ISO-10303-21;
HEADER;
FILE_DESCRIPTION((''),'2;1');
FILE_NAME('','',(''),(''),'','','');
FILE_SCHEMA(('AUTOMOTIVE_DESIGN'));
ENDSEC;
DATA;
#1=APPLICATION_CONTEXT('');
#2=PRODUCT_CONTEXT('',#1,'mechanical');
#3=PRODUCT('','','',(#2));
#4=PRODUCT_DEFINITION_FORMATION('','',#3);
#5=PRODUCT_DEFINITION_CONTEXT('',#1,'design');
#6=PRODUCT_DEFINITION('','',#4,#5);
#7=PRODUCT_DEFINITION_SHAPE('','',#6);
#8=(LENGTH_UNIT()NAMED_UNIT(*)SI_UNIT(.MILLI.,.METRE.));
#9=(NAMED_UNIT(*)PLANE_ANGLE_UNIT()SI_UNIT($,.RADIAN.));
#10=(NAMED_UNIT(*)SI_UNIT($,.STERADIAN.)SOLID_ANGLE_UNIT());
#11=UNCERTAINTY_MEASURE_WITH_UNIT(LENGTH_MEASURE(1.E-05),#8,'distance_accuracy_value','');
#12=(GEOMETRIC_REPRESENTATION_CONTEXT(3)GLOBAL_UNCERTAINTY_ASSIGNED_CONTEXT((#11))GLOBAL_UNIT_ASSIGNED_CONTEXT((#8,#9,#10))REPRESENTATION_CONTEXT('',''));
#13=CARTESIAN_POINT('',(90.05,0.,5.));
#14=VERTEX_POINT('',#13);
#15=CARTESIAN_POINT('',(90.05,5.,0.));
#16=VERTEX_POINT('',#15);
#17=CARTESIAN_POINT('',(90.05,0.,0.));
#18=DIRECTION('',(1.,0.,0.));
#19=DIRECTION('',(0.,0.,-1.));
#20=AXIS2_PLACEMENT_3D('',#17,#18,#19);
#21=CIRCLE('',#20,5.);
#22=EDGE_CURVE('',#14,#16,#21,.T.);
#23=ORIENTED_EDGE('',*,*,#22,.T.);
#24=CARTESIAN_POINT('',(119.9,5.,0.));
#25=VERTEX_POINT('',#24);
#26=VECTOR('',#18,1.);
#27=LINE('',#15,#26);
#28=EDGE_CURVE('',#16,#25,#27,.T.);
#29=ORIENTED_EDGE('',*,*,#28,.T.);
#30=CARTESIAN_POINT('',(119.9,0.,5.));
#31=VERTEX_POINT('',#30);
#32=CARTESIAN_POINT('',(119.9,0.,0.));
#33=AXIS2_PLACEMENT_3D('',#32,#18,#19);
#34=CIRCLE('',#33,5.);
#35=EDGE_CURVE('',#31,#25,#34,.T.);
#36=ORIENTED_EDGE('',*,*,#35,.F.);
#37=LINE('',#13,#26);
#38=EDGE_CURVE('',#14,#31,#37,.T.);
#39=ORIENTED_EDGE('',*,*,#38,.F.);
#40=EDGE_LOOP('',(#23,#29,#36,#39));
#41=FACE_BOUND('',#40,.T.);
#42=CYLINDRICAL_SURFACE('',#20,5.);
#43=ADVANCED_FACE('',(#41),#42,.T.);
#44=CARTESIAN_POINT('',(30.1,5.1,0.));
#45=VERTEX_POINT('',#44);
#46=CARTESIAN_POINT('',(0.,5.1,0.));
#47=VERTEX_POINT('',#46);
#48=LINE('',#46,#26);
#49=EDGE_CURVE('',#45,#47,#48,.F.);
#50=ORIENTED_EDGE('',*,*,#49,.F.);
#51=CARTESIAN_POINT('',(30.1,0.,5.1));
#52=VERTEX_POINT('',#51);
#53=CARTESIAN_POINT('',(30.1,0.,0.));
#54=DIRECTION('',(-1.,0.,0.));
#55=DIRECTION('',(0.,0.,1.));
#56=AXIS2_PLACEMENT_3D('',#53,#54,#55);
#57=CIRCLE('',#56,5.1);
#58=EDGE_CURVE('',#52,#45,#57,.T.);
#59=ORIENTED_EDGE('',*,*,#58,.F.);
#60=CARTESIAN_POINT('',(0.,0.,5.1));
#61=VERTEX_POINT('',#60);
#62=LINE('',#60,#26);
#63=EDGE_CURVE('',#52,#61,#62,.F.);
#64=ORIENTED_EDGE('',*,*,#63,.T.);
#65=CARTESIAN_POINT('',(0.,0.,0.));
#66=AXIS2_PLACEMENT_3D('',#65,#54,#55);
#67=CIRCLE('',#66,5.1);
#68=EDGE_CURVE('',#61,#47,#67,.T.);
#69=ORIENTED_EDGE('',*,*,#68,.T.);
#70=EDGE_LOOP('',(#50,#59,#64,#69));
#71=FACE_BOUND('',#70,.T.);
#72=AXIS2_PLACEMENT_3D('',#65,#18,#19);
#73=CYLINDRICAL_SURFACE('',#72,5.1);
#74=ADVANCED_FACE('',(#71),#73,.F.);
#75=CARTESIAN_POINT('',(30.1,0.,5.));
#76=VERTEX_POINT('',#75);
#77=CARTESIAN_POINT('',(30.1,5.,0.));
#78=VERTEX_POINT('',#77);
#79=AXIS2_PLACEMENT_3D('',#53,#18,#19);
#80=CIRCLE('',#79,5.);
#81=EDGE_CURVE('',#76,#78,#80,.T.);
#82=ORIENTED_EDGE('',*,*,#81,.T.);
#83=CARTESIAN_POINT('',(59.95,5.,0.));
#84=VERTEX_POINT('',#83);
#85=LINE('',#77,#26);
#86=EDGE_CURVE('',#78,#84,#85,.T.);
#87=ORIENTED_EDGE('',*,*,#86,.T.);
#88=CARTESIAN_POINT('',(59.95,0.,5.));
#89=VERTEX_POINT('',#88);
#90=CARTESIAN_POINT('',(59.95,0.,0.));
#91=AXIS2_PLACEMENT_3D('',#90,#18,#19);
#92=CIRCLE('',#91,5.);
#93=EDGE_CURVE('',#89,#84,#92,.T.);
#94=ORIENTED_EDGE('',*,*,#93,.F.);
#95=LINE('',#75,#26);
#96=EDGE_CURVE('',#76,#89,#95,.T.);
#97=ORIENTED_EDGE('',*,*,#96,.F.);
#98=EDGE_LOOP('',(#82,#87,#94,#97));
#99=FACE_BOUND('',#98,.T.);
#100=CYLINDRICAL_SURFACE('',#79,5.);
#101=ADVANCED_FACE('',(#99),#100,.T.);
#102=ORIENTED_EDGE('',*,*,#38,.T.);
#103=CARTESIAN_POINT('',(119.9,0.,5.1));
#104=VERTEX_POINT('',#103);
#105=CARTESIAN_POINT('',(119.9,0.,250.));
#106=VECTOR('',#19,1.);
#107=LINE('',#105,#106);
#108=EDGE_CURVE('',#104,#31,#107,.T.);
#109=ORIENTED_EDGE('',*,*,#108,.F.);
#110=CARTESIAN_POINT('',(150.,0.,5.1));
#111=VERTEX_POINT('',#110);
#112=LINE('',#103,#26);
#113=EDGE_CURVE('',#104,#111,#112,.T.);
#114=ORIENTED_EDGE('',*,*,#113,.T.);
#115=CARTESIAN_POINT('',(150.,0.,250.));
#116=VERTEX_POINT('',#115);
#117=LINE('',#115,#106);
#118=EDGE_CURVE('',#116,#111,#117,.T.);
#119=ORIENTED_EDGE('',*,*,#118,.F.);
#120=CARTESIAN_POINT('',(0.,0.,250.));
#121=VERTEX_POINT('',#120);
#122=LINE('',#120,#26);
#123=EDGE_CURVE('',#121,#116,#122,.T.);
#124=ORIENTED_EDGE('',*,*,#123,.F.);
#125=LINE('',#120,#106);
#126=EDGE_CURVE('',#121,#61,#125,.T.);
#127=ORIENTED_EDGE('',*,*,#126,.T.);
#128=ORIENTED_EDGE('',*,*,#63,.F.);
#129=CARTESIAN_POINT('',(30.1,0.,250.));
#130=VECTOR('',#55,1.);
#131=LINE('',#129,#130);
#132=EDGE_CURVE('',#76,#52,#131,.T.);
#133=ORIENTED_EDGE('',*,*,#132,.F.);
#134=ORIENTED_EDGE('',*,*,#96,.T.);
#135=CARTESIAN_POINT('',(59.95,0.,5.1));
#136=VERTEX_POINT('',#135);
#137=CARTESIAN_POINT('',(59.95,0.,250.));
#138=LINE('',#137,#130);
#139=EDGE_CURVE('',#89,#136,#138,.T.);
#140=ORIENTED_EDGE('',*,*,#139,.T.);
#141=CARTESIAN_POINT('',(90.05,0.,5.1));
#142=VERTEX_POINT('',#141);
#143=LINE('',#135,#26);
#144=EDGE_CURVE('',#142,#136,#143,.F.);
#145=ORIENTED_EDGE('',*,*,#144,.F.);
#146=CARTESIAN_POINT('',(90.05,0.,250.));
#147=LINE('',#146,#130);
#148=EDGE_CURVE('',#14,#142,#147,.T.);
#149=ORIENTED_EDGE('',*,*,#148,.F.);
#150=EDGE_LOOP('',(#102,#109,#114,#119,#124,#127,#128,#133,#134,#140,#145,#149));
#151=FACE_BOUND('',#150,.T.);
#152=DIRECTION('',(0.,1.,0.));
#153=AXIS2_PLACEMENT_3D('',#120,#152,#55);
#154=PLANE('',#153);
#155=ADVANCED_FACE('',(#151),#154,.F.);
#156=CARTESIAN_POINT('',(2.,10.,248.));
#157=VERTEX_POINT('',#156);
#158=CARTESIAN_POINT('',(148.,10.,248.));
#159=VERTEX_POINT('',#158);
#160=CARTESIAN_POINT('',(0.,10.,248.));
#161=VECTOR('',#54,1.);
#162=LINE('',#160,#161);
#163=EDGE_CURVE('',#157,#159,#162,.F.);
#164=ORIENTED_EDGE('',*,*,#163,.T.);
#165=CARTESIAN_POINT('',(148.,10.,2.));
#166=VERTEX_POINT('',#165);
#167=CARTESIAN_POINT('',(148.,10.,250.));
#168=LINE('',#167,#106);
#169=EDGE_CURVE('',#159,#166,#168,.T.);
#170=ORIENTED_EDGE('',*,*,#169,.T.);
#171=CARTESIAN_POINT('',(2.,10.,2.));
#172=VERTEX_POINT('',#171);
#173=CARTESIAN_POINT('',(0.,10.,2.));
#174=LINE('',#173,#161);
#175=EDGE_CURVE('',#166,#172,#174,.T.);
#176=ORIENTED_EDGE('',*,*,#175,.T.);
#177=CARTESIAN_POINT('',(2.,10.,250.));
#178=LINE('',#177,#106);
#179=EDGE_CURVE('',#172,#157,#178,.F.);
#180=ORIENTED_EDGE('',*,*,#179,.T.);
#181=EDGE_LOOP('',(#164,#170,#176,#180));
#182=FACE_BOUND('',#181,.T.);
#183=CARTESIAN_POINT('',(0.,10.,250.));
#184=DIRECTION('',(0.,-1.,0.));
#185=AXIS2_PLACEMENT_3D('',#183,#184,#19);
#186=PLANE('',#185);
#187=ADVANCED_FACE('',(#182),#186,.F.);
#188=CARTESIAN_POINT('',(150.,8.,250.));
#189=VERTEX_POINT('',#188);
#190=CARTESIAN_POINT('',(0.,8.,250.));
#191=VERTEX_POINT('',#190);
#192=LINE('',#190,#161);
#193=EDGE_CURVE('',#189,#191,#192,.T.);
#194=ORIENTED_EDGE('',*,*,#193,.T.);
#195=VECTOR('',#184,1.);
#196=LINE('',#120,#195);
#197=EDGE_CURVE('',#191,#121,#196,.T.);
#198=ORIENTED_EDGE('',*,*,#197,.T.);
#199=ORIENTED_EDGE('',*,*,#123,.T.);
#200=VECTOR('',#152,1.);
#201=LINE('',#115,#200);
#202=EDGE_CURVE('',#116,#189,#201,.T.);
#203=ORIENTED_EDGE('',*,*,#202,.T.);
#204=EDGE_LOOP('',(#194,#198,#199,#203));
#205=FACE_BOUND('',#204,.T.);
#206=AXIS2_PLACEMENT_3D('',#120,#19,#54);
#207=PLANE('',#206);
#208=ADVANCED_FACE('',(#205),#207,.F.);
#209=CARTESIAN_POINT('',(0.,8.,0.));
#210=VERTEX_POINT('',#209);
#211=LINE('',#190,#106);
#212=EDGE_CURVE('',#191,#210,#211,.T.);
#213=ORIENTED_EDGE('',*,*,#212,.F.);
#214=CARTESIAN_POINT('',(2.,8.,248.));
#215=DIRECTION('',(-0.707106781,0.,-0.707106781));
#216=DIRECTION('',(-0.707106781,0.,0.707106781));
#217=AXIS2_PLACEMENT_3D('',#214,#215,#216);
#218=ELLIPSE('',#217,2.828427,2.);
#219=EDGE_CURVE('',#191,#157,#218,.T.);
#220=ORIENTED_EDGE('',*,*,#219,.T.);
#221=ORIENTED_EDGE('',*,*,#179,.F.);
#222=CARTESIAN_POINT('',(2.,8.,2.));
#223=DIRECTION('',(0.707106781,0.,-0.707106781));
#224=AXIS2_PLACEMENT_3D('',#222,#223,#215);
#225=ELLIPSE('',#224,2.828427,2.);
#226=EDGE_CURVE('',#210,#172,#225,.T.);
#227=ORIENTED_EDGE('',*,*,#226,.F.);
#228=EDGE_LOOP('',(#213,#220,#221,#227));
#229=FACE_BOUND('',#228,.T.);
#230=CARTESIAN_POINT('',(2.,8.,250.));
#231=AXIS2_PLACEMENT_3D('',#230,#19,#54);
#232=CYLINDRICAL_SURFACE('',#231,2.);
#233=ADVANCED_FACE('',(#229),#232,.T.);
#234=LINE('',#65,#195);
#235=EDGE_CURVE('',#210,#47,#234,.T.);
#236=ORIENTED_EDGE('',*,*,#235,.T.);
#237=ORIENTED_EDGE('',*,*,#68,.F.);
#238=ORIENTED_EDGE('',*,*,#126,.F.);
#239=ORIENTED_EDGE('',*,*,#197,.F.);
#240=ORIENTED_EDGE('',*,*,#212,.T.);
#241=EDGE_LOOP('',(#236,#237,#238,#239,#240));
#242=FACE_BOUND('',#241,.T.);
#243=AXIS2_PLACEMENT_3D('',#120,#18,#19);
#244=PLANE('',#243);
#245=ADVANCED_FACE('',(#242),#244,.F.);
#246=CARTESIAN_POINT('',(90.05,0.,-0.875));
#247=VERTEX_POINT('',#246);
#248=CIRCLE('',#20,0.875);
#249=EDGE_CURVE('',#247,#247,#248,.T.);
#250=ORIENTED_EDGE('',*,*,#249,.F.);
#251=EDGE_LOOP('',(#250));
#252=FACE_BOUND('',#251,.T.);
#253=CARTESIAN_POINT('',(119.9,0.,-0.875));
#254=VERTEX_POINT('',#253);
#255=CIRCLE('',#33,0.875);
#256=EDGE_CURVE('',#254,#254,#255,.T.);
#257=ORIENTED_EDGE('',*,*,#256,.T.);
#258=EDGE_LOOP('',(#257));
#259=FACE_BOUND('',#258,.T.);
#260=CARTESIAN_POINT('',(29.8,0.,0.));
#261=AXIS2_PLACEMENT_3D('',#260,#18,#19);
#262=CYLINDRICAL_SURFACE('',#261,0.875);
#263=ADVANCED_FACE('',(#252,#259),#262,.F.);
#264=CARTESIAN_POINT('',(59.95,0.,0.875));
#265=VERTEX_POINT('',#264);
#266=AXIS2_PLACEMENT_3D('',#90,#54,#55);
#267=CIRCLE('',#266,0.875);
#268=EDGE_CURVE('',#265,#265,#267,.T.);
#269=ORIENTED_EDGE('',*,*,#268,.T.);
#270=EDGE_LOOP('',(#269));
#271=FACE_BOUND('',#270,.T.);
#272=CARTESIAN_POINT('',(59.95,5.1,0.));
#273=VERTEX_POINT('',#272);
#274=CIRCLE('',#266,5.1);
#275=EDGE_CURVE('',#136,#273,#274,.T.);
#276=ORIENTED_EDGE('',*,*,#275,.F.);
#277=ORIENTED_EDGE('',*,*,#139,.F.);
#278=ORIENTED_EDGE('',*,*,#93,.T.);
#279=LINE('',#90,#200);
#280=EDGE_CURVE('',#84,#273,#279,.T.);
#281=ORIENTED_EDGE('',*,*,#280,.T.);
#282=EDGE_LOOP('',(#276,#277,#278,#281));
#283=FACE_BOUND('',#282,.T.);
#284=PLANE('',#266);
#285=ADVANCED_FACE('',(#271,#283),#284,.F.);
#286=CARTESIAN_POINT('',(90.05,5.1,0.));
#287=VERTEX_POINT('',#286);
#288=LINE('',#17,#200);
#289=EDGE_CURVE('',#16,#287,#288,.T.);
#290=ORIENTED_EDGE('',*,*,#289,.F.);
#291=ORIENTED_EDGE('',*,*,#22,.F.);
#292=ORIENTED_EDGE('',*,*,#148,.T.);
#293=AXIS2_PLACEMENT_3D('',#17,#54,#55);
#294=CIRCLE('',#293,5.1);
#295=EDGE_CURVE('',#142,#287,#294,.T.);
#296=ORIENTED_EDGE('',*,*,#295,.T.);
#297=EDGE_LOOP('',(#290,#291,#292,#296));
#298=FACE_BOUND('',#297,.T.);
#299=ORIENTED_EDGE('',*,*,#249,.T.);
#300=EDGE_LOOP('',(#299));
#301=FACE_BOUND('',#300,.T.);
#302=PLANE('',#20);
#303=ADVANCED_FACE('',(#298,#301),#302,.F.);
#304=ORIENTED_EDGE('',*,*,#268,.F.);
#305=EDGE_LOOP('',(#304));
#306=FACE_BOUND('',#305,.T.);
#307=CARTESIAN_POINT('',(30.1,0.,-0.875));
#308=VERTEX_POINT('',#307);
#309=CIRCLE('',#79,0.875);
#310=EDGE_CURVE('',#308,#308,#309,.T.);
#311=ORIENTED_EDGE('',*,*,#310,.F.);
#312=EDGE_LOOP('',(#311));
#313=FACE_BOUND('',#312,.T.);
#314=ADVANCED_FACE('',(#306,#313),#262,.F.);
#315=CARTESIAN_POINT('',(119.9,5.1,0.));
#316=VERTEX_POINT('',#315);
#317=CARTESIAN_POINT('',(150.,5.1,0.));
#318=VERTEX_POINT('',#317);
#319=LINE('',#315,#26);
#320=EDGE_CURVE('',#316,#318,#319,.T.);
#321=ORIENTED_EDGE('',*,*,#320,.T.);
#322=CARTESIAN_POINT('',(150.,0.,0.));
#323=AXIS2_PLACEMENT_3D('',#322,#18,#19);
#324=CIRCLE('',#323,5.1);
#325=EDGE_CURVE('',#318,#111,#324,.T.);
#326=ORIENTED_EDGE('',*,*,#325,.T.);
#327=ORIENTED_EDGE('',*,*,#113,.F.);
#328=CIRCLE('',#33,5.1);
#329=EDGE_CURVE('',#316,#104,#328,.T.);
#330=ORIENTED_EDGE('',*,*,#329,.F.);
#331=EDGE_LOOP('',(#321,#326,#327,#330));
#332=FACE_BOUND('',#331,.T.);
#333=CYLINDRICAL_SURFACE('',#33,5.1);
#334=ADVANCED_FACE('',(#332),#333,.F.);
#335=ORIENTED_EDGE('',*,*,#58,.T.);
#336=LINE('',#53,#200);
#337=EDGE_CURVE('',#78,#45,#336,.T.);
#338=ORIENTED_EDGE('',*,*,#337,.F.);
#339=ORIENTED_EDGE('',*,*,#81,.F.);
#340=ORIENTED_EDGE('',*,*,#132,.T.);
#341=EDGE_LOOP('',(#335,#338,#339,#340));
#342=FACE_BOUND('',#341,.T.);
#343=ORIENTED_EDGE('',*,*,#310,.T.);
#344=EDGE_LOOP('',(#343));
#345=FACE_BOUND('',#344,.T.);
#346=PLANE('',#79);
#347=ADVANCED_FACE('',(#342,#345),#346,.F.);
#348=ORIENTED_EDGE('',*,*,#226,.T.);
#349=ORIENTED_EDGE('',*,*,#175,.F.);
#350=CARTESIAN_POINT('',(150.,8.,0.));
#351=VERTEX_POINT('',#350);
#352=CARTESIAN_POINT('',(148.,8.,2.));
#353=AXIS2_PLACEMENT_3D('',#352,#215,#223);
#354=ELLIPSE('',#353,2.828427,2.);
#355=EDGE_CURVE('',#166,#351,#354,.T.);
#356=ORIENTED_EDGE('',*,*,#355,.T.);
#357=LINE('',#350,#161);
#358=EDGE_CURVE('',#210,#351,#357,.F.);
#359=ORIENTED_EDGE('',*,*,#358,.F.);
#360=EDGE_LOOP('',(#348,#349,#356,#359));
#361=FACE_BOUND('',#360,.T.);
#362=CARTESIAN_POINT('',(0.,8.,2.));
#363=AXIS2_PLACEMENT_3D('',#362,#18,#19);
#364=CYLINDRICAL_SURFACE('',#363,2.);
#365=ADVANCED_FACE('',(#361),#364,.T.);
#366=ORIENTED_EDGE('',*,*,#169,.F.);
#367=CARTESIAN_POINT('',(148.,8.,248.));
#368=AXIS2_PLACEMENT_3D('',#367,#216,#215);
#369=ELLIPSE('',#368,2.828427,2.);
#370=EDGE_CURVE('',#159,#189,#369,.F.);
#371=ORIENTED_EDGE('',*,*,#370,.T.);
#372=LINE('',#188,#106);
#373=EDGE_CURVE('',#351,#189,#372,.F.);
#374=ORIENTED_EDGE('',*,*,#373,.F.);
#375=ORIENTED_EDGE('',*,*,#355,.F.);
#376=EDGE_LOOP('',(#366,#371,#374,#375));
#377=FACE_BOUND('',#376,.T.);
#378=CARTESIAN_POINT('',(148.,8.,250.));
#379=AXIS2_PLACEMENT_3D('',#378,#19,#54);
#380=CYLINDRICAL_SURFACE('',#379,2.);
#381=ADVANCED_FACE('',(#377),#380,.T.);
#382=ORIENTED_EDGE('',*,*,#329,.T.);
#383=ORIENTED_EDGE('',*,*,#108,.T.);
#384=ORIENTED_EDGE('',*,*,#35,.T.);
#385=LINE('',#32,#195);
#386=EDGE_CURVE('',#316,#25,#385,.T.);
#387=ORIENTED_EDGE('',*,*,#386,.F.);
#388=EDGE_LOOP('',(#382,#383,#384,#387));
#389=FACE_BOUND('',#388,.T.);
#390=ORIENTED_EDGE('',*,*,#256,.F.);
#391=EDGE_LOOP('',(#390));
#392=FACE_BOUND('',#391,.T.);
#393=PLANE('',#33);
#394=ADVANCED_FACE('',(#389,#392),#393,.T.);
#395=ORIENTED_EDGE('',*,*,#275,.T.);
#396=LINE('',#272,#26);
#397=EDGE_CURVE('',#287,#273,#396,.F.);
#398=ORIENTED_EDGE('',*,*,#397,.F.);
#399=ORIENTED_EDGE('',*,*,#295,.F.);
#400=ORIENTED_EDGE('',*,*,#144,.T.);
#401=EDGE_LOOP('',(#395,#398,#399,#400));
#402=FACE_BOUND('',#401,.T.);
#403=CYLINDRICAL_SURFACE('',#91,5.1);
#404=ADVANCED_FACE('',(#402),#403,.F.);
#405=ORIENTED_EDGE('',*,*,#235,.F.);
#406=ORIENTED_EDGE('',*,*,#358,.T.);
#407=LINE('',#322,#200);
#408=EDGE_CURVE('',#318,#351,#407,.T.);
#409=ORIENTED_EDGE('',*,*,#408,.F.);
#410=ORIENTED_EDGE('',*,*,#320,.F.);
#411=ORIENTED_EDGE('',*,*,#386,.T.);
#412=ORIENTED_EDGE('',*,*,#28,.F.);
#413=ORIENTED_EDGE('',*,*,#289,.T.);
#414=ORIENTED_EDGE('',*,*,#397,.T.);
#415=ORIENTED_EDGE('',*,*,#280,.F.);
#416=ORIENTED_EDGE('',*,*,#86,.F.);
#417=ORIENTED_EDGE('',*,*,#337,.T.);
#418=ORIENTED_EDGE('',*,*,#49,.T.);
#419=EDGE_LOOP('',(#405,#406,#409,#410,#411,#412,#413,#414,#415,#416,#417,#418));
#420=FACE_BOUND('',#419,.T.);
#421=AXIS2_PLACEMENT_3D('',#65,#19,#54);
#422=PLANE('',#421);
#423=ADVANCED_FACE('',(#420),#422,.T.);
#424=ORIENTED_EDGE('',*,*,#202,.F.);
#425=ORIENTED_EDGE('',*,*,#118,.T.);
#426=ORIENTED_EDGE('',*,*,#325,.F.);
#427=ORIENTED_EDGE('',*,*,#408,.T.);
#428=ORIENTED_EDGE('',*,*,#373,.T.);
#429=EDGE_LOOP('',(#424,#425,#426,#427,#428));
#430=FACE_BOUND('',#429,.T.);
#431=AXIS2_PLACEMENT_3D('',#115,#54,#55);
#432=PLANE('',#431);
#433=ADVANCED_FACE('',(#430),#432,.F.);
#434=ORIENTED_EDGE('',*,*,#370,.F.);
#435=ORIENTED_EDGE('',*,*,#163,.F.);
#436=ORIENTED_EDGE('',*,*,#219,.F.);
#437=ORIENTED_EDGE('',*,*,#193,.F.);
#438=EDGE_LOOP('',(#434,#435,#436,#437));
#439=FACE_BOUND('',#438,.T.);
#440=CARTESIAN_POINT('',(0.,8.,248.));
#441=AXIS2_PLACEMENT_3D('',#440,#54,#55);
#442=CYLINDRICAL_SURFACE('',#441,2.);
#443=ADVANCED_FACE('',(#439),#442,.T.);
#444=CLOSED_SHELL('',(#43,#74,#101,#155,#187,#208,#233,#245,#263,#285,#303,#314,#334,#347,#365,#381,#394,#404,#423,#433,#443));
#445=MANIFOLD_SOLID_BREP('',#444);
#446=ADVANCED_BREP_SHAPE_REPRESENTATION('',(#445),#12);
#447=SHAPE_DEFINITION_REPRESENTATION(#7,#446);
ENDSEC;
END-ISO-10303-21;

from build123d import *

# Parameters (mm, degrees)
SKETCH1_W           = 150
SKETCH1_H           = 10
BOSS_EXTRUDE1_DEPTH = 250
FILLET1_R           = 2
SKETCH2_R           = 5.1
CUT_EXTRUDE1_DEPTH  = 30.1
SKETCH3_R           = 5
BOSS_EXTRUDE2_DEPTH = 29.85
SKETCH4_R           = 5.1
CUT_EXTRUDE2_DEPTH  = 30.1
SKETCH5_R           = 5
BOSS_EXTRUDE3_DEPTH = 29.85
SKETCH6_R           = 5.1
CUT_EXTRUDE3_DEPTH  = 30.1
SKETCH7_R           = 0.875
CUT_EXTRUDE4_DEPTH  = 90.1


with BuildPart() as part:
    # Sketch1 → Boss-Extrude1 (new body)
    with BuildSketch(Plane.XY):
        with Locations((75, 5)):
            Rectangle(SKETCH1_W, SKETCH1_H)
    extrude(amount=BOSS_EXTRUDE1_DEPTH)

    # Fillet1
    fillet1_edges = [part.edges().sort_by_distance(p)[0] for p in [
        (75, 10, 250),
        (75, 10, 0),
        (0, 10, 125),
        (150, 10, 125),
    ]]
    fillet(fillet1_edges, radius=FILLET1_R)

    # Sketch2 → Cut-Extrude1 (cut)
    with BuildSketch(Plane(origin=(150, 0, 0), x_dir=(0, 0, -1), z_dir=(1, 0, 0))):
        Circle(SKETCH2_R)
    extrude(amount=-CUT_EXTRUDE1_DEPTH, mode=Mode.SUBTRACT)

    # Sketch3 → Boss-Extrude2 (add)
    with BuildSketch(Plane(origin=(119.9, 0, 0), x_dir=(0, 0, -1), z_dir=(1, 0, 0))):
        Circle(SKETCH3_R)
    extrude(amount=-BOSS_EXTRUDE2_DEPTH)

    # Sketch4 → Cut-Extrude2 (cut)
    with BuildSketch(Plane.ZY.offset(-90.05)):
        Circle(SKETCH4_R)
    extrude(amount=CUT_EXTRUDE2_DEPTH, mode=Mode.SUBTRACT)

    # Sketch5 → Boss-Extrude3 (add)
    with BuildSketch(Plane(origin=(59.95, 0, 0), x_dir=(0, 0, -1), z_dir=(1, 0, 0))):
        Circle(SKETCH5_R)
    extrude(amount=-BOSS_EXTRUDE3_DEPTH)

    # Sketch6 → Cut-Extrude3 (cut)
    with BuildSketch(Plane.ZY.offset(-30.1)):
        Circle(SKETCH6_R)
    extrude(amount=CUT_EXTRUDE3_DEPTH, mode=Mode.SUBTRACT)

    # Sketch7 → Cut-Extrude4 (cut)
    with BuildSketch(Plane(origin=(119.9, 0, 0), x_dir=(0, 0, -1), z_dir=(1, 0, 0))):
        Circle(SKETCH7_R)
    extrude(amount=-CUT_EXTRUDE4_DEPTH, mode=Mode.SUBTRACT)


solid = part.part
